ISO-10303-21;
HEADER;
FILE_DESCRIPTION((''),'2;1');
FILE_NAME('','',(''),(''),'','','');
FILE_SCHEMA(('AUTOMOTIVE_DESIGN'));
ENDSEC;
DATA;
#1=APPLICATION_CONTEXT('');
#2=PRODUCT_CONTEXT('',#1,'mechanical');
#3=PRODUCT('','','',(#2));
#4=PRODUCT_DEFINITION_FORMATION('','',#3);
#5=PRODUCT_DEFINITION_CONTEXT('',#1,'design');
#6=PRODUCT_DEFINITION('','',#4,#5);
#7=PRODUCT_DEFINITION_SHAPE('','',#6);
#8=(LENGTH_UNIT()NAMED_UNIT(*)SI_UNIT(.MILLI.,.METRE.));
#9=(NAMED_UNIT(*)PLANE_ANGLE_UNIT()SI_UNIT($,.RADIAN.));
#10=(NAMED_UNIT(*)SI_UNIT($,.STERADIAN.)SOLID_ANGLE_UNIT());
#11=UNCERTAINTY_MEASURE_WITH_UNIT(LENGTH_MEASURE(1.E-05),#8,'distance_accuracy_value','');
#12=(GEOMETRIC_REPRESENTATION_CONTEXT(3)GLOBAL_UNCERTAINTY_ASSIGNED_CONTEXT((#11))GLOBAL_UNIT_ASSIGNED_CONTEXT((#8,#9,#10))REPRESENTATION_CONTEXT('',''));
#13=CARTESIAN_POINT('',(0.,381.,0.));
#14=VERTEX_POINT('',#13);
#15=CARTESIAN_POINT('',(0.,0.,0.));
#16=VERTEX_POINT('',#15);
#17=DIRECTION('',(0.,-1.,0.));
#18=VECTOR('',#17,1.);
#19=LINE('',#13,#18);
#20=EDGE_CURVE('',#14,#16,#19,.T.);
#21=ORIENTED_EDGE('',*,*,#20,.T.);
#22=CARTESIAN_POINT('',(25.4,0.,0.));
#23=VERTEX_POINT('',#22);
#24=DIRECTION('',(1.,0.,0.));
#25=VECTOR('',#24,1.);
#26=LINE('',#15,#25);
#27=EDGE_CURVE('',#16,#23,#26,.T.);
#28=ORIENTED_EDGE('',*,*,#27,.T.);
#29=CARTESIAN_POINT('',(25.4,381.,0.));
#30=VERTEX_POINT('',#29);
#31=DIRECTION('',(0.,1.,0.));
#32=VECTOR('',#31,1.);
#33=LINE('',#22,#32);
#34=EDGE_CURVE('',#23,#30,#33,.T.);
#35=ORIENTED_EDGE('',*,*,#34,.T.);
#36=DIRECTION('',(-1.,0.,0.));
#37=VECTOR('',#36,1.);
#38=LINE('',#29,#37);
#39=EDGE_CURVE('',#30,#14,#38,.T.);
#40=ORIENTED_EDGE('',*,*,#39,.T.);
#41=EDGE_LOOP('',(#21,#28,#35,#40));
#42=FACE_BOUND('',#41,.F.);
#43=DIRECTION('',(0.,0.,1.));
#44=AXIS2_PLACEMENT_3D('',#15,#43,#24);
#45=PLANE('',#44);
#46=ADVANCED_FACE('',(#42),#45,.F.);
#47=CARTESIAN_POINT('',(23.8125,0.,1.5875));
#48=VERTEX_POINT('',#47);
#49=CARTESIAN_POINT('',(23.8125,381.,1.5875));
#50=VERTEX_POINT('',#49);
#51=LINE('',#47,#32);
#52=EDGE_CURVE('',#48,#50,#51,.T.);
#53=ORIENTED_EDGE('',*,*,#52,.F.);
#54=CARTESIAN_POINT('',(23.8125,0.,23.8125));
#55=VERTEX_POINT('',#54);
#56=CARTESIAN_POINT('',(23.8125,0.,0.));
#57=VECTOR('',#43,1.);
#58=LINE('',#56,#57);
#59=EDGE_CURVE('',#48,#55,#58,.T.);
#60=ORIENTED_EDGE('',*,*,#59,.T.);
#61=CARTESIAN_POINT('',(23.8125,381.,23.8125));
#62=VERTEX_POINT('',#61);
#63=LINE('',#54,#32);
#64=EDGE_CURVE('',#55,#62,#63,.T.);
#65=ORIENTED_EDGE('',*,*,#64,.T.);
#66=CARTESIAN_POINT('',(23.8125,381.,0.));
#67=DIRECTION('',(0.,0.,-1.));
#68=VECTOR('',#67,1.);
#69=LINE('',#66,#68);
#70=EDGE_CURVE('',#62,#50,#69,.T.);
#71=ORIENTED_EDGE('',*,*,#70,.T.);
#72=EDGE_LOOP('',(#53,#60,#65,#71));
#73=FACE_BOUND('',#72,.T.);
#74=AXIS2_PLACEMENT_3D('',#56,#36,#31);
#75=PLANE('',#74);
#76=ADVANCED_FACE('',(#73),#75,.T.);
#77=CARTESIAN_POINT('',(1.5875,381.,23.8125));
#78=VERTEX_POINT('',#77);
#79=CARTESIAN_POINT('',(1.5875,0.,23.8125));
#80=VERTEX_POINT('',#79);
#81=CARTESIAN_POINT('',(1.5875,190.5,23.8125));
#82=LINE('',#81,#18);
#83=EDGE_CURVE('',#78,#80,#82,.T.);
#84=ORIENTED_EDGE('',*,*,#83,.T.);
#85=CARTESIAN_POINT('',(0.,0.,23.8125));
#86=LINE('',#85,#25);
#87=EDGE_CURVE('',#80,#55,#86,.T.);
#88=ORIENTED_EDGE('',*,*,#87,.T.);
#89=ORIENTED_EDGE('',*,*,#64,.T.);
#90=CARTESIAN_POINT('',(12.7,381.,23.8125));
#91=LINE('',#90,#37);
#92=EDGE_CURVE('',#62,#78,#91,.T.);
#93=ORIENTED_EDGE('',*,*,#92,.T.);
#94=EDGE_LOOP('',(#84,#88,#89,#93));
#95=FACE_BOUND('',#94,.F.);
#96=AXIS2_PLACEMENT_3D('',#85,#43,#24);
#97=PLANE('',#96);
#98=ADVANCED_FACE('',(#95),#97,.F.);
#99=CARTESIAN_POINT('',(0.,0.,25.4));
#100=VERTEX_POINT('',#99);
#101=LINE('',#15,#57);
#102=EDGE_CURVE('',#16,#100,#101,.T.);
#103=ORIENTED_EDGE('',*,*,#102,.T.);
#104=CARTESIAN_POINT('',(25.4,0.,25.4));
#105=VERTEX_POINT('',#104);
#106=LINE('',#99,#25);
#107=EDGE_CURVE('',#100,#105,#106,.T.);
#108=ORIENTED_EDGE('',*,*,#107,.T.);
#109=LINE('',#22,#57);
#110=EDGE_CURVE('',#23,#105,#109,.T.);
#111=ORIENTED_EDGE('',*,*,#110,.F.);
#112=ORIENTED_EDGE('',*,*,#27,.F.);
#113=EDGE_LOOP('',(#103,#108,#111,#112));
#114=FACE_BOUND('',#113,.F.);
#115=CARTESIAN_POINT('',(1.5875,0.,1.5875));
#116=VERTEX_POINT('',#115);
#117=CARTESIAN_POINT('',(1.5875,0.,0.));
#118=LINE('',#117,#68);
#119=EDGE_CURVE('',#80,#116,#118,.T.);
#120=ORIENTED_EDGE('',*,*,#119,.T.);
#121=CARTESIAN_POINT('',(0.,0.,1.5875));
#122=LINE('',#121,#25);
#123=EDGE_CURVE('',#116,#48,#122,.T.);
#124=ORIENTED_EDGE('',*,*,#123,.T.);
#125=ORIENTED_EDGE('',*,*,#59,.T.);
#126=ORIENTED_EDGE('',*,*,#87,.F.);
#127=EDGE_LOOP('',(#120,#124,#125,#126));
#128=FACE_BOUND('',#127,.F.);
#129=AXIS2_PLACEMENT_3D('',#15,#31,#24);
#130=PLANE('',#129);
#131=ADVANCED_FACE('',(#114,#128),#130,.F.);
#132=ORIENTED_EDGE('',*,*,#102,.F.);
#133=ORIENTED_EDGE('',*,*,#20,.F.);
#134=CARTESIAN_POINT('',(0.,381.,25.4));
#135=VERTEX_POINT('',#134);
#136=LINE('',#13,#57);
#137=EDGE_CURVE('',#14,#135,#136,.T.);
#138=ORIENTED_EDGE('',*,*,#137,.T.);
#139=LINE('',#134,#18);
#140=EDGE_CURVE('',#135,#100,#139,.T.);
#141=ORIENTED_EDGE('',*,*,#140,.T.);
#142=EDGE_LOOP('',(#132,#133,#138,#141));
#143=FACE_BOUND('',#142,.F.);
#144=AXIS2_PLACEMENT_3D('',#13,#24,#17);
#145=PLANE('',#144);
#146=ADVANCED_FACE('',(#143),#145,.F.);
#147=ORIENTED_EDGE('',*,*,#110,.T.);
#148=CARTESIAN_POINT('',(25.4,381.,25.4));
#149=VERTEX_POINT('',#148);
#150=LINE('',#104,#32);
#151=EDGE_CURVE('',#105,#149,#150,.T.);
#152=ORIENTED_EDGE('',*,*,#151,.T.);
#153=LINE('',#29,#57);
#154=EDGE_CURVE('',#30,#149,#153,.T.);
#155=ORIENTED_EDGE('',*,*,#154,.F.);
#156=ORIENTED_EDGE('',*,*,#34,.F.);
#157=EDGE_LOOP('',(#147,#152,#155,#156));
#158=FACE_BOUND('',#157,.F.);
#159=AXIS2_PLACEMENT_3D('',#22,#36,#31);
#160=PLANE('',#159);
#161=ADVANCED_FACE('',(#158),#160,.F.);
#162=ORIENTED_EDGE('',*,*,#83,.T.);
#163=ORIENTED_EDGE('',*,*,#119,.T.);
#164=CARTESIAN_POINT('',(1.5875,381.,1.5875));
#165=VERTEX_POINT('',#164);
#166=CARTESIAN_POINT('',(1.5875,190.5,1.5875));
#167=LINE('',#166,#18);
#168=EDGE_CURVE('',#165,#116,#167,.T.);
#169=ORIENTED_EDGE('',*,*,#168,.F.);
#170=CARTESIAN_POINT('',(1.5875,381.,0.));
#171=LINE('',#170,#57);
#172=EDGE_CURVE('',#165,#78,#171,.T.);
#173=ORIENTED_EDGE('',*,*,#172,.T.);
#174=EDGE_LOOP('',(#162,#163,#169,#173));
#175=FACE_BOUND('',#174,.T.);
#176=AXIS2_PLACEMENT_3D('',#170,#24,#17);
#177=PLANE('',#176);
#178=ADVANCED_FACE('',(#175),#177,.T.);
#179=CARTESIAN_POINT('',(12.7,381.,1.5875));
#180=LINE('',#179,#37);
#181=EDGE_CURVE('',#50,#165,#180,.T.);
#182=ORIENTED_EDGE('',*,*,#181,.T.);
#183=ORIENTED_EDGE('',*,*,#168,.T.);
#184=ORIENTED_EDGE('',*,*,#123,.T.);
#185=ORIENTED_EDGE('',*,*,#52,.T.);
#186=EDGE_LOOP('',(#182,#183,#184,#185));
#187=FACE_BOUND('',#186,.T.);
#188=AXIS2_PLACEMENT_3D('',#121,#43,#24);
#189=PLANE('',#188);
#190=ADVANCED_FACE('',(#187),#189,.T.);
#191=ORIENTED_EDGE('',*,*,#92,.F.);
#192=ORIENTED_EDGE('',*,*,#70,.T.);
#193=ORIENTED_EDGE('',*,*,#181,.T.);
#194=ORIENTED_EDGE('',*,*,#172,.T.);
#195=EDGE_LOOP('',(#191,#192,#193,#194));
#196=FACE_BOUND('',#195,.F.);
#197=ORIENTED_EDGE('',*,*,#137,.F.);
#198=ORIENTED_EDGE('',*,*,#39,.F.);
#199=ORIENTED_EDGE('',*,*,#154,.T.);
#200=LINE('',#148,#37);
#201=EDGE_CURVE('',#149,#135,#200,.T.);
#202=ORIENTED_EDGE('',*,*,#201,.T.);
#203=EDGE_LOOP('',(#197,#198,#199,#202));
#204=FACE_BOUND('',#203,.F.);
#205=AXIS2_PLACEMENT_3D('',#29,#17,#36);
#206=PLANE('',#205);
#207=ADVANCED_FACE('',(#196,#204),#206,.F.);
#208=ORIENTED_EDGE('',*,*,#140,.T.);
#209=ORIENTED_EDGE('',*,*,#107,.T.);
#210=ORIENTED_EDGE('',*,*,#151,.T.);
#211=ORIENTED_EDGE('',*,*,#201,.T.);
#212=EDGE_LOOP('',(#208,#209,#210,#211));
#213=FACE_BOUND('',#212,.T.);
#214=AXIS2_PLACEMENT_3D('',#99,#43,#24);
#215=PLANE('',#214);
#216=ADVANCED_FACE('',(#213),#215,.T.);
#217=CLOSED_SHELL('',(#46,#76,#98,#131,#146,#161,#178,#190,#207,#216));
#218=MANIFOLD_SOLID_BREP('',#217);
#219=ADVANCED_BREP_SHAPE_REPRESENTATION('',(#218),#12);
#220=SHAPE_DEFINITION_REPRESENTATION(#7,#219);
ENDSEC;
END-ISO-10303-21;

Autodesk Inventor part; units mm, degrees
ref_plane "YZ Plane" through (0, 0, 0) normal (1, 0, 0) x (0, 1, 0)
ref_plane "XZ Plane" through (0, 0, 0) normal (0, 1, 0) x (-1, 0, 0)
ref_plane "XY Plane" through (0, 0, 0) normal (0, 0, 1) x (1, 0, 0)
sketch "Sketch1" plane through (0, 0, 0) normal (0, 0, 1) x (1, 0, 0)
  line L0 (0, 0) -> (25.4, 0)
  line L1 (25.4, 0) -> (25.4, 381)
  line L2 (25.4, 381) -> (0, 381)
  line L3 (0, 381) -> (0, 0)
  dimension "d0" = 25.4
  dimension "d1" = 381
extrude "Extrusion1" add sketch "Sketch1" along normal blind 25.4
shell "Shell2" thickness 1.5875 removed faces 2 at (16.9333, 381, 16.9333) at (8.4667, 0, 16.9333)
properties part number "Frame_RearVerticalShooterSupport"
